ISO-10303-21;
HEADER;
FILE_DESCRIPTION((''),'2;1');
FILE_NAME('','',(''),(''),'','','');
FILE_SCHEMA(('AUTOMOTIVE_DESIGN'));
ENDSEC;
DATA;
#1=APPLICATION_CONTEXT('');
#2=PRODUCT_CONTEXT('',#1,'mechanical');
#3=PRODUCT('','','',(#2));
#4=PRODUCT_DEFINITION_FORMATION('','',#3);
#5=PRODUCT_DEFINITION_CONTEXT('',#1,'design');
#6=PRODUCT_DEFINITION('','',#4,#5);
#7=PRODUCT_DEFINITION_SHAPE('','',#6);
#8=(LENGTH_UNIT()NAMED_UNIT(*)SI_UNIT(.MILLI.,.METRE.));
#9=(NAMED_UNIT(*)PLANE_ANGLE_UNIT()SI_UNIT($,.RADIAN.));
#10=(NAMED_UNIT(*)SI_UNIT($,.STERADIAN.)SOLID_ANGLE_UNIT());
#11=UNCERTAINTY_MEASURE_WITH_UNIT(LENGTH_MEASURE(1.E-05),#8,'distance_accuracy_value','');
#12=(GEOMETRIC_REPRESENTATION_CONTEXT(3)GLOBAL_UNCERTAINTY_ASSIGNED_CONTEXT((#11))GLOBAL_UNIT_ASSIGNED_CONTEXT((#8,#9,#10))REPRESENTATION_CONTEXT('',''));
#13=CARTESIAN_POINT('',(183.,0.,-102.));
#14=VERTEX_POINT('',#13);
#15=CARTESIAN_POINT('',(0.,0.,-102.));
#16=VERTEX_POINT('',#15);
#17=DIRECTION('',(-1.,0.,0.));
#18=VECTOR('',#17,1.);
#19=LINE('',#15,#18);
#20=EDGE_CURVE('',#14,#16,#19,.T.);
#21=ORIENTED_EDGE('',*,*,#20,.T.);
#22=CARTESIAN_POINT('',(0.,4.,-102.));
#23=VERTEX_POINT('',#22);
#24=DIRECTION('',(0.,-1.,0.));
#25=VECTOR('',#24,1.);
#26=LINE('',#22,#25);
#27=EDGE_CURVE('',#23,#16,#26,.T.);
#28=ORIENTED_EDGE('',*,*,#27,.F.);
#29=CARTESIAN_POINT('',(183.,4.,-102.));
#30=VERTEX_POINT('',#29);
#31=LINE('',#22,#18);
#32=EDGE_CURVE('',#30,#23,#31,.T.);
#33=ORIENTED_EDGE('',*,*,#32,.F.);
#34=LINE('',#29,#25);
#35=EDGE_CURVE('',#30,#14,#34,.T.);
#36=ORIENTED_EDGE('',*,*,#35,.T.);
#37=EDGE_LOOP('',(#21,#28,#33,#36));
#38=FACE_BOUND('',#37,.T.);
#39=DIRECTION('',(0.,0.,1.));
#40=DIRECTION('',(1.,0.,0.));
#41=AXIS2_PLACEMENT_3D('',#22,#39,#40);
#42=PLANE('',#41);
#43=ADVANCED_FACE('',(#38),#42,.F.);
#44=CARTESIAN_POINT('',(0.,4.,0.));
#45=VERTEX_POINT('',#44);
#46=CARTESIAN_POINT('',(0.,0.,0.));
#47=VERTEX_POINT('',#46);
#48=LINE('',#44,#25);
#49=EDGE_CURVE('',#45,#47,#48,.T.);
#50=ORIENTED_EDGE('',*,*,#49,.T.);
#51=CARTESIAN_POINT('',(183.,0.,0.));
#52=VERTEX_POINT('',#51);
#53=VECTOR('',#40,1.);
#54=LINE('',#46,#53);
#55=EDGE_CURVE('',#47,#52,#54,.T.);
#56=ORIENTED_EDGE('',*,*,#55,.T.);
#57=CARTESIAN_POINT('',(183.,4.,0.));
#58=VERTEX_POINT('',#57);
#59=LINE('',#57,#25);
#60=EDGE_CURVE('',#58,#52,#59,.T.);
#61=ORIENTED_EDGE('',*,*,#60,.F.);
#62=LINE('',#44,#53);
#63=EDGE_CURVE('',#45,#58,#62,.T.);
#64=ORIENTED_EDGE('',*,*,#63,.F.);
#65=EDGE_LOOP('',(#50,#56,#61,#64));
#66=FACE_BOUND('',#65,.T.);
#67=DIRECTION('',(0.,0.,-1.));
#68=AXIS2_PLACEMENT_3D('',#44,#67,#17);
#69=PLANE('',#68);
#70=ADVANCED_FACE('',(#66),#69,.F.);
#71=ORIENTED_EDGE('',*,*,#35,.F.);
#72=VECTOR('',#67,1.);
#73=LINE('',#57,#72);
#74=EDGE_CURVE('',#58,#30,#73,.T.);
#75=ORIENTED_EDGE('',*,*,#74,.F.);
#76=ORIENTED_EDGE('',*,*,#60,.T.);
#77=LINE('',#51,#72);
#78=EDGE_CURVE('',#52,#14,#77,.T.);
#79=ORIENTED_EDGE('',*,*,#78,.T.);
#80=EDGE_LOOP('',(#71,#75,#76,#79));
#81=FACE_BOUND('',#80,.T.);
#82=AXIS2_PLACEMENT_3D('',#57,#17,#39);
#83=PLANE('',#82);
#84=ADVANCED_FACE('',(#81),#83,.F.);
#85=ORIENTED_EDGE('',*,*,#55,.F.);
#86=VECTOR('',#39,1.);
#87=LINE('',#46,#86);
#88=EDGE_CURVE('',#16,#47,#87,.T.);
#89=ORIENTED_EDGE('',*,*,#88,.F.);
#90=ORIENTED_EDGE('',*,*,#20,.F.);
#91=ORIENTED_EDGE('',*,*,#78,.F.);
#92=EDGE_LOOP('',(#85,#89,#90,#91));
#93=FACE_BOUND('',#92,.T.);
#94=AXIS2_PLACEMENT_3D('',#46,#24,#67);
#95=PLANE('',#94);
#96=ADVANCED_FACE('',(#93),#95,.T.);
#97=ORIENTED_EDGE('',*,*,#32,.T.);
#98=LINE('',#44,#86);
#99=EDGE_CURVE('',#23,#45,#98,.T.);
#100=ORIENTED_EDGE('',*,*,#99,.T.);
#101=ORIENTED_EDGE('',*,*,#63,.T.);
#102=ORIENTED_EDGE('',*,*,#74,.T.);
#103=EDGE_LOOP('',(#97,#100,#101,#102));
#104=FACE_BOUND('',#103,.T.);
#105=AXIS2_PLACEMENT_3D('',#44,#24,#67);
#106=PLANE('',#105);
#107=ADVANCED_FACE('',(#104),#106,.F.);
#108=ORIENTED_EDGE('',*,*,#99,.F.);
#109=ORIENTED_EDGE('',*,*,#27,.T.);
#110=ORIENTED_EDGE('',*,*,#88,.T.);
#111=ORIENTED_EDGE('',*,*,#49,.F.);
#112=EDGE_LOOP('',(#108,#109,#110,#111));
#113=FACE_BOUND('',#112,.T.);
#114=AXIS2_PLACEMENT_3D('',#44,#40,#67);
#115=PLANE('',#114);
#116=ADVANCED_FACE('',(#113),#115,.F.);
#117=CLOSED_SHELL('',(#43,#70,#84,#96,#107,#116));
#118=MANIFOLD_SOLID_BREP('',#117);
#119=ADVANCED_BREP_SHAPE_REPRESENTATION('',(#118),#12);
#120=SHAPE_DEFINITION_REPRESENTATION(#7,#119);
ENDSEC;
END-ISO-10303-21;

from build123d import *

# Parameters (mm, degrees)
SKETCH_1_W      = 183
SKETCH_1_H      = 102
EXTRUDE_1_DEPTH = 4


with BuildPart() as part:
    # 草图1 → 凸台-拉伸1 (new body)
    with BuildSketch(Plane(origin=(0, 0, 0), x_dir=(1, 0, 0), z_dir=(0, 1, 0))):
        with Locations((91.5, 51)):
            Rectangle(SKETCH_1_W, SKETCH_1_H)
    extrude(amount=EXTRUDE_1_DEPTH)


solid = part.part
